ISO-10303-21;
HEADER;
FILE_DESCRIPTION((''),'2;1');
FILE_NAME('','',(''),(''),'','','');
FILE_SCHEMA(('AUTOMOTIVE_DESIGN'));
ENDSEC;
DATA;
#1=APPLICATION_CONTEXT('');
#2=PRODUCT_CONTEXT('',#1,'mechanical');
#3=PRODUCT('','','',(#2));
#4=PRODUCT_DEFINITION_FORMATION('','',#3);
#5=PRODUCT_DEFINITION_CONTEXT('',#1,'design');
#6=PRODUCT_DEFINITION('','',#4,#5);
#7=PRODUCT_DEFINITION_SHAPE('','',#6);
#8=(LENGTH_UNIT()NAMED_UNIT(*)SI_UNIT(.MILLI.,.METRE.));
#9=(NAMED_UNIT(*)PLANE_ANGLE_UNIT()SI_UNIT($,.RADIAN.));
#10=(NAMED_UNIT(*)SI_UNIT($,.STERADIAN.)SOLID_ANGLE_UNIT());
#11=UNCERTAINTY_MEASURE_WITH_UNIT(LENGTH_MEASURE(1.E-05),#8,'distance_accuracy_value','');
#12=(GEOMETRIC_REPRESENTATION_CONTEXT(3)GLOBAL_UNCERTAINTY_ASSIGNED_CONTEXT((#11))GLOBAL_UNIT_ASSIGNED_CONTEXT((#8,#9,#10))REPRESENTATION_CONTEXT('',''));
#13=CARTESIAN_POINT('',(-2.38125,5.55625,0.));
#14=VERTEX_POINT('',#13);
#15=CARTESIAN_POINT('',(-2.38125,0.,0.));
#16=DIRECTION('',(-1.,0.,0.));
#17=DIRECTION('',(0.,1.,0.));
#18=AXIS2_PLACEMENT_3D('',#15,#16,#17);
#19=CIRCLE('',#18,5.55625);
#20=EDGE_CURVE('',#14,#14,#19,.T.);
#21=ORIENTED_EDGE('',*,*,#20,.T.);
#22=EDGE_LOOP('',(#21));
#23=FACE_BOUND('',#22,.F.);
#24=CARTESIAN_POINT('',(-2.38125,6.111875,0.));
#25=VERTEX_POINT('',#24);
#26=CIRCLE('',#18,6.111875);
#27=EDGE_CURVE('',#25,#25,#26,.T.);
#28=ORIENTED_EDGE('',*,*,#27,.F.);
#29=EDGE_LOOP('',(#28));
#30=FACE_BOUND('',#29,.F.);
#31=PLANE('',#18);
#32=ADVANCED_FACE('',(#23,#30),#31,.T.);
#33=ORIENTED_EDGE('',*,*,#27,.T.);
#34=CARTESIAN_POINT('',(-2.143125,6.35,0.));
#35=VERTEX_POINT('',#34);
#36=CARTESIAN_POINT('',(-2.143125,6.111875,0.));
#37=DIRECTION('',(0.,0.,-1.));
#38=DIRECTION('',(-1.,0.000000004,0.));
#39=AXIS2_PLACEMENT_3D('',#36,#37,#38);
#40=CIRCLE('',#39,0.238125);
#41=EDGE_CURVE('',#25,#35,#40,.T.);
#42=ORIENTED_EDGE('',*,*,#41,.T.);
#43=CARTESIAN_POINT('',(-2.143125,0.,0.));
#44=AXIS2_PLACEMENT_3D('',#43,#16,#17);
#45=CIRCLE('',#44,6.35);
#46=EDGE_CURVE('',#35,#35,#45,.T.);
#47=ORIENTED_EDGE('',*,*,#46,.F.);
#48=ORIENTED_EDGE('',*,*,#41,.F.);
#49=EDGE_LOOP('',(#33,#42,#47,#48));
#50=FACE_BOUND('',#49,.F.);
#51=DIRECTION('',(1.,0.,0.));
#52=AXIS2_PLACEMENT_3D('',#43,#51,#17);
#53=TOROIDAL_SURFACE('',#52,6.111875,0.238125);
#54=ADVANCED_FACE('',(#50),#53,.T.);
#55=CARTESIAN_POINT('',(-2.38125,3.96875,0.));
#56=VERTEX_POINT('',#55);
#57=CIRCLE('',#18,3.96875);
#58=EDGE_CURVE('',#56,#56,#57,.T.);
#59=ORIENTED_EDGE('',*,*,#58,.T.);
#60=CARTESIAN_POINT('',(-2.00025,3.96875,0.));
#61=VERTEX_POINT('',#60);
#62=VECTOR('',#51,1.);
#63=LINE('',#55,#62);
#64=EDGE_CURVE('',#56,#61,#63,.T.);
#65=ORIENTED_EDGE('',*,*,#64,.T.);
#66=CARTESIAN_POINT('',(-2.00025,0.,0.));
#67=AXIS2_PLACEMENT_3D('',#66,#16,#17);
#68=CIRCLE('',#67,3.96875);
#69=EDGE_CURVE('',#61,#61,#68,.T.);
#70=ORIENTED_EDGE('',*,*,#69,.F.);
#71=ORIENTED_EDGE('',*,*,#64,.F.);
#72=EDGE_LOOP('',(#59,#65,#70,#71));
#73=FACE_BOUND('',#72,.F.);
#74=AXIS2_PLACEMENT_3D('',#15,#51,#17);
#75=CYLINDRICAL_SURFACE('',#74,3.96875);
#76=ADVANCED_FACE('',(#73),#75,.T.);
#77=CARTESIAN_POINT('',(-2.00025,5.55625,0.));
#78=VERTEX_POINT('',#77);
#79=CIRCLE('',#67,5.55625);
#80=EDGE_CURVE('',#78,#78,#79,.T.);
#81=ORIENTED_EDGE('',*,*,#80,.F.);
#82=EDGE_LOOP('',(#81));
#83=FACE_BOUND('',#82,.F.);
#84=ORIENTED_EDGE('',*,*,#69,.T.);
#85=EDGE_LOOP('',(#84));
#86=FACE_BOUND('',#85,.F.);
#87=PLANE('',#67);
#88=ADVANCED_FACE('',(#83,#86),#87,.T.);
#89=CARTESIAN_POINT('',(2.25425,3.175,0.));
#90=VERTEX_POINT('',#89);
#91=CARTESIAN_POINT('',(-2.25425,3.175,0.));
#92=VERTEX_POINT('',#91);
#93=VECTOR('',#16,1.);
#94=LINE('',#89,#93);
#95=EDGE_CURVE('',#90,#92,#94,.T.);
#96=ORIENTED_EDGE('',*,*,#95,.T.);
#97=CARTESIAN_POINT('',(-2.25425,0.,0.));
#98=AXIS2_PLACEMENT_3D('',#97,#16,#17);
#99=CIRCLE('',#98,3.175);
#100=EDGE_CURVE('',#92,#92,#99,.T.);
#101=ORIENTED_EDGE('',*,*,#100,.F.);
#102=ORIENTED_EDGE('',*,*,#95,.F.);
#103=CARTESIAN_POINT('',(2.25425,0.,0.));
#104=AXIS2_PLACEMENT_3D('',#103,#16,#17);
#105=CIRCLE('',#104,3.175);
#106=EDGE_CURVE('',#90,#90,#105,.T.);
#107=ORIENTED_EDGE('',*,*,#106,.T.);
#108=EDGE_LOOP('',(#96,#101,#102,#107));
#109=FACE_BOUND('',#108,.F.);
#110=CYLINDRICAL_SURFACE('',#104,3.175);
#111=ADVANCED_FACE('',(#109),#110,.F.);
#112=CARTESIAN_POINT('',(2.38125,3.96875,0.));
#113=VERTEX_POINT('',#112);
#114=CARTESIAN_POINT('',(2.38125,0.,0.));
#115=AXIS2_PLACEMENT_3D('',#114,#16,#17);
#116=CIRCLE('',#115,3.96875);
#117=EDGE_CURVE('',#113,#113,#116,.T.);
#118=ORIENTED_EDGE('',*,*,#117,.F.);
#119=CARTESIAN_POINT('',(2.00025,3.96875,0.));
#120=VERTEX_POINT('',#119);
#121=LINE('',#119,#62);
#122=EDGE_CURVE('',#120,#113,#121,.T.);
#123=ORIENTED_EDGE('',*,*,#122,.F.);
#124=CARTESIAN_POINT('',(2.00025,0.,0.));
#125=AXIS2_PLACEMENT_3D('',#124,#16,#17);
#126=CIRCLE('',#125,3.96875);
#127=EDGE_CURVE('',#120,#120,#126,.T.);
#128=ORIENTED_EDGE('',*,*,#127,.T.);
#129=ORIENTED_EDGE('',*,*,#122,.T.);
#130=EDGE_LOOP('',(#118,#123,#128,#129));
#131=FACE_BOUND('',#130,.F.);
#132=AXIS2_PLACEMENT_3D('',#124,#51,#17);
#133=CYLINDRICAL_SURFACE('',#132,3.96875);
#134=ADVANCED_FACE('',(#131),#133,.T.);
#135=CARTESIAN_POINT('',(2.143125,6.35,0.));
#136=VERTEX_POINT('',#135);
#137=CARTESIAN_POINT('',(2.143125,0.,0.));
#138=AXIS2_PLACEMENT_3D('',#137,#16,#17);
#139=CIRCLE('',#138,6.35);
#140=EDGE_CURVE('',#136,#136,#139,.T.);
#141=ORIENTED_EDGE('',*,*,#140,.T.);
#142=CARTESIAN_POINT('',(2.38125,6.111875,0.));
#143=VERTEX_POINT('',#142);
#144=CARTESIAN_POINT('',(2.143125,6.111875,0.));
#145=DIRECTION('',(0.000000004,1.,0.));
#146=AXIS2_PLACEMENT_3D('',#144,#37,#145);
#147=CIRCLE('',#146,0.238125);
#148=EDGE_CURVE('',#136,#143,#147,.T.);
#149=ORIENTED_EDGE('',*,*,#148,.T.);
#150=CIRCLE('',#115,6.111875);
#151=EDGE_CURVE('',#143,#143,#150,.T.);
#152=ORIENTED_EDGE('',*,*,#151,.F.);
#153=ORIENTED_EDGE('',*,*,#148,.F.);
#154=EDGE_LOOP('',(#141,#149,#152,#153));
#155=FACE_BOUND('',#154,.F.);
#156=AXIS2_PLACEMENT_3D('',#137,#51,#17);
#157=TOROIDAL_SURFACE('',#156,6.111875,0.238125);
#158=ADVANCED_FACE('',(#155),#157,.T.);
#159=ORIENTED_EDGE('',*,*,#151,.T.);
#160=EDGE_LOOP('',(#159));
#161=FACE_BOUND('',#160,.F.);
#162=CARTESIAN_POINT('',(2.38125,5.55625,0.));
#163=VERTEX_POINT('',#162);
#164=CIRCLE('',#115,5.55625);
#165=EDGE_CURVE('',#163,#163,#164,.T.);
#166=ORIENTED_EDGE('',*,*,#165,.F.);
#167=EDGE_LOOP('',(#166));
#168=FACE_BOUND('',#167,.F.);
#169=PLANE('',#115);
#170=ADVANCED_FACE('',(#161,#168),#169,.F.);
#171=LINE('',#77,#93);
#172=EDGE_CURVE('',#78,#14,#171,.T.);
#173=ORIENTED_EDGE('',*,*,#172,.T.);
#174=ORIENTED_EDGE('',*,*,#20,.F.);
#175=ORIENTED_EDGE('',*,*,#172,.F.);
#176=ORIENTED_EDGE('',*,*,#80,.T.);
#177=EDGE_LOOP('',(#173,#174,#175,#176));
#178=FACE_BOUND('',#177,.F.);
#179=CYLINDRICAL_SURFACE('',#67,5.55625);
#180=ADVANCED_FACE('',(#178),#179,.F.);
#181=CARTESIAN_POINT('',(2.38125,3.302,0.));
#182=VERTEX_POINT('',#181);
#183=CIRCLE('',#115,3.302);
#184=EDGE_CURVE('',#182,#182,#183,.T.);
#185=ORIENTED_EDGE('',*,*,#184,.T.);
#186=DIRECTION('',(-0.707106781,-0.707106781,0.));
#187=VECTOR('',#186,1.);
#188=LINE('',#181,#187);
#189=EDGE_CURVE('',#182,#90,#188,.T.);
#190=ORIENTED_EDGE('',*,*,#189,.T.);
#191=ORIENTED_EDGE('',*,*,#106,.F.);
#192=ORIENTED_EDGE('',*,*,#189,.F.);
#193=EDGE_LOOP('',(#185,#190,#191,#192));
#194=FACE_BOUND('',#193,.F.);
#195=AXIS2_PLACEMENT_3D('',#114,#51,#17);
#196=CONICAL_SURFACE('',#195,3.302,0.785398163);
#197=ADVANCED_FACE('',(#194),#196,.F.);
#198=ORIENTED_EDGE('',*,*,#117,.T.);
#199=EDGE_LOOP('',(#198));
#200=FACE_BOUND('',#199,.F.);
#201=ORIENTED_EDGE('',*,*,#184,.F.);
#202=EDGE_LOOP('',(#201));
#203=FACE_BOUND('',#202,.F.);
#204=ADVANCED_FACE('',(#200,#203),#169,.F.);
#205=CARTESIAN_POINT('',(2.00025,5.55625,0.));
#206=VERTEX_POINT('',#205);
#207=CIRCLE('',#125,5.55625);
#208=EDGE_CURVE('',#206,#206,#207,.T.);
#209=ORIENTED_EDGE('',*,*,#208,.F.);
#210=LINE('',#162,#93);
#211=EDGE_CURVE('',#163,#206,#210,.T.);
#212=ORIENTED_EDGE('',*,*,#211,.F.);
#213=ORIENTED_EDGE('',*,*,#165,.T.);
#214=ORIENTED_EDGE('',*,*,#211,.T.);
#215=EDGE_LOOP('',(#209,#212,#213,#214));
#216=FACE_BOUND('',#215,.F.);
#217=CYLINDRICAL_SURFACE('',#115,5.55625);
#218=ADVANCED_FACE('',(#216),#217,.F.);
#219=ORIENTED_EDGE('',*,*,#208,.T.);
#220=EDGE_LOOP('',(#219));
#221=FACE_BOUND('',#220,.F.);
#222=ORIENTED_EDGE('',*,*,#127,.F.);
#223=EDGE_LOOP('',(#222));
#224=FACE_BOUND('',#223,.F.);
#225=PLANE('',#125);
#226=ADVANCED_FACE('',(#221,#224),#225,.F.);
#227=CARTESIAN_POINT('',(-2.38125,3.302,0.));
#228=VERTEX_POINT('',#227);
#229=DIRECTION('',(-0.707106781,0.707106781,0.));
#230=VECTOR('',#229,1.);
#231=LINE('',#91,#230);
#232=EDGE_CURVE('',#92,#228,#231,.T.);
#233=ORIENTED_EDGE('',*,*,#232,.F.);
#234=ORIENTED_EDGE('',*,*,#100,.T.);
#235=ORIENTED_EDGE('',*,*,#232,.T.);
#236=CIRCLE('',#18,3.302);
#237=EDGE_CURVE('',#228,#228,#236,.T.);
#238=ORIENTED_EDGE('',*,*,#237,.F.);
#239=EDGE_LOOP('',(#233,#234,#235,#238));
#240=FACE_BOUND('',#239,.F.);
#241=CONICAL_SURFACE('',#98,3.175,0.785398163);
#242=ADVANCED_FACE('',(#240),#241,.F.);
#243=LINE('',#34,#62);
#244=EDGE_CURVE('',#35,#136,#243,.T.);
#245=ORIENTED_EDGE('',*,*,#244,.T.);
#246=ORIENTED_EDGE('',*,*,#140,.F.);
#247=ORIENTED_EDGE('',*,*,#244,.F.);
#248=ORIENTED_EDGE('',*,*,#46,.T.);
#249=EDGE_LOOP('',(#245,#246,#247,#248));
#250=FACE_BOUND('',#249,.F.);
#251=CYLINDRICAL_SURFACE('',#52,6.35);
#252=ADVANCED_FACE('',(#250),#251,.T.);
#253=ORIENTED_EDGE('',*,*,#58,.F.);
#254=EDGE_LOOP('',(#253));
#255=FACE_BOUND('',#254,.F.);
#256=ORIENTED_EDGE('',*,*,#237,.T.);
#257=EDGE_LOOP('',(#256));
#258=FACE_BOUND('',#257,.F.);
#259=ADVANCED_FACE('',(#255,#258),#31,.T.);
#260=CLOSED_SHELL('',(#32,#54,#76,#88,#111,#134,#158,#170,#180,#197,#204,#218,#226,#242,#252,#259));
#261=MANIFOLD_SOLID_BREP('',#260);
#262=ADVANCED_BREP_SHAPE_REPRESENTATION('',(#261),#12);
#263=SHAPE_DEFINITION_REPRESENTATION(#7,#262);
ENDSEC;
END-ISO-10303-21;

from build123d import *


with BuildPart() as part:
    # Sketch1 → Revolve1 (revolve)
    with BuildSketch(Plane(origin=(0, 0, 0), x_dir=(-1, 0, 0), z_dir=(0, 0, -1))):
        with BuildLine():
            Line((-2.38125, 3.302), (-2.25425, 3.175))
            Line((-2.25425, 3.175), (2.25425, 3.175))
            Line((2.25425, 3.175), (2.38125, 3.302))
            Line((2.38125, 3.302), (2.38125, 3.96875))
            Line((2.38125, 3.96875), (2.00025, 3.96875))
            Line((2.00025, 3.96875), (2.00025, 5.55625))
            Line((2.00025, 5.55625), (2.38125, 5.55625))
            Line((2.38125, 5.55625), (2.38125, 6.111875))
            ThreePointArc((2.38125, 6.111875), (2.311504802, 6.280254802), (2.143125, 6.35))
            Line((2.143125, 6.35), (-2.143125, 6.35))
            ThreePointArc((-2.143125, 6.35), (-2.311504802, 6.280254802), (-2.38125, 6.111875))
            Line((-2.38125, 6.111875), (-2.38125, 5.55625))
            Line((-2.38125, 5.55625), (-2.00025, 5.55625))
            Line((-2.00025, 5.55625), (-2.00025, 3.96875))
            Line((-2.00025, 3.96875), (-2.38125, 3.96875))
            Line((-2.38125, 3.96875), (-2.38125, 3.302))
        make_face()
    revolve(axis=Axis((2.382500003, 0, 0), (-1, 0, 0)))


solid = part.part
